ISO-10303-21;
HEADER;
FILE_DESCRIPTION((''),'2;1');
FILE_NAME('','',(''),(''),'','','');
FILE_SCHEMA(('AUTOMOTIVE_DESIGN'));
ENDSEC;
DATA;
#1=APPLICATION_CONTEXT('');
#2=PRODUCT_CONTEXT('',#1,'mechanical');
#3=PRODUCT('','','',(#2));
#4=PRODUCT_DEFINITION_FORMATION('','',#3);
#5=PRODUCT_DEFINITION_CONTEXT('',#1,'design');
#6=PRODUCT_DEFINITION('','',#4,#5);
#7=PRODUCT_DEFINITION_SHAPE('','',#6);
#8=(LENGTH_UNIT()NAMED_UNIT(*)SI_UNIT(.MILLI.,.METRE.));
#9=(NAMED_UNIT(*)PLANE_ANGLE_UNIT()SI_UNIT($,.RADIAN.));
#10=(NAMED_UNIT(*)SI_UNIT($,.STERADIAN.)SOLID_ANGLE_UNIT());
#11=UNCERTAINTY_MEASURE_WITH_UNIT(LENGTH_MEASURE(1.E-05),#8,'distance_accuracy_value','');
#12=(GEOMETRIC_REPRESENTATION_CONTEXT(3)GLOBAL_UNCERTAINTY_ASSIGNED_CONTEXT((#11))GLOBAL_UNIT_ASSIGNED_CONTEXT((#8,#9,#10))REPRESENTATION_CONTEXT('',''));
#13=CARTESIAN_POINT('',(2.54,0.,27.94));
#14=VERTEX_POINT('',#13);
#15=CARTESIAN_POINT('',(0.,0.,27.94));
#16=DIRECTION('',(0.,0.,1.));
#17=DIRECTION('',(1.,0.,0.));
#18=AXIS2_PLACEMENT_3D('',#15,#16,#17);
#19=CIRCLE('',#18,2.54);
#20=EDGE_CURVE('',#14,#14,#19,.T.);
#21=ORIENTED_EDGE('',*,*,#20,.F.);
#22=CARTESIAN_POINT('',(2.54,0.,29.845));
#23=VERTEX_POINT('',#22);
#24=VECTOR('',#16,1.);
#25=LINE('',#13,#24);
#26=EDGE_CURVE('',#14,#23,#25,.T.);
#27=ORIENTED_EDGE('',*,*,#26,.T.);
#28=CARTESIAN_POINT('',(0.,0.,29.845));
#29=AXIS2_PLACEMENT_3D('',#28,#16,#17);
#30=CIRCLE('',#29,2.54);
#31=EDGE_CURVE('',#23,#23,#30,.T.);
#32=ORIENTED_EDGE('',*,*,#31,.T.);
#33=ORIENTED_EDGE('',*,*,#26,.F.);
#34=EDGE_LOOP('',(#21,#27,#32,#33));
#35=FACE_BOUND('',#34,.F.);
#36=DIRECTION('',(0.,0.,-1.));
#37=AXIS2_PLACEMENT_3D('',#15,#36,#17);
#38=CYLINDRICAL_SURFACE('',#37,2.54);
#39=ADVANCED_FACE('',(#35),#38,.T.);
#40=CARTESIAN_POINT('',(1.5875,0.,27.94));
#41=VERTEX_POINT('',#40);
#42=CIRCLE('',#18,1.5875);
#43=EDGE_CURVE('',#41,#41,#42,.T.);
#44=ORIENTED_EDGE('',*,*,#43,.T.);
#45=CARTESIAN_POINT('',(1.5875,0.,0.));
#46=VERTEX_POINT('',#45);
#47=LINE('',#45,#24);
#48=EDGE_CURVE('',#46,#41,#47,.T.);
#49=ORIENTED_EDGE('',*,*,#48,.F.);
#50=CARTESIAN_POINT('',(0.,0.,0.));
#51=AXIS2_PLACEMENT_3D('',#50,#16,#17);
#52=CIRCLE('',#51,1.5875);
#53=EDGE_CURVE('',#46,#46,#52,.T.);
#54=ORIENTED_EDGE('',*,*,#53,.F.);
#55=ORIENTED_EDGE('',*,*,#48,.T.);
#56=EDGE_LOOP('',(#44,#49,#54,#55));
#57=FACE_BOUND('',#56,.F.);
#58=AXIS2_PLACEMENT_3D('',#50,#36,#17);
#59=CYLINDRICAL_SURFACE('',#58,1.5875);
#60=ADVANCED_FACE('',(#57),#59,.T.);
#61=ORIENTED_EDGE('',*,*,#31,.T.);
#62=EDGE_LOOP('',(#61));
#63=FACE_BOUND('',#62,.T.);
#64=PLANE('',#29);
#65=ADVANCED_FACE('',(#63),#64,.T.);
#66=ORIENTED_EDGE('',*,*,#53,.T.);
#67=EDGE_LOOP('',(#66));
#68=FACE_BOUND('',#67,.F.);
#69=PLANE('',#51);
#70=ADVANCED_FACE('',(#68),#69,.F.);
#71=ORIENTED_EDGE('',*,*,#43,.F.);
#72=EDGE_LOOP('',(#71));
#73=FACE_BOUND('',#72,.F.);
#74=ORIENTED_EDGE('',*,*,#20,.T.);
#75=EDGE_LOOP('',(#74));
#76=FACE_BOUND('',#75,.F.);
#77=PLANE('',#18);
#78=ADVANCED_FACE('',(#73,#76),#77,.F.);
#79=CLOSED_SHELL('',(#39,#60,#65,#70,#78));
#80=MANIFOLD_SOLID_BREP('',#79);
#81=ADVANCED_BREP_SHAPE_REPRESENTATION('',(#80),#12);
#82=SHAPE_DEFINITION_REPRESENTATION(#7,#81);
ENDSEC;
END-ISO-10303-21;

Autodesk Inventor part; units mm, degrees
ref_plane "YZ Plane" through (0, 0, 0) normal (1, 0, 0) x (0, 1, 0)
ref_plane "XZ Plane" through (0, 0, 0) normal (0, 1, 0) x (-1, 0, 0)
ref_plane "XY Plane" through (0, 0, 0) normal (0, 0, 1) x (1, 0, 0)
sketch "Sketch1" plane through (0, 0, 0) normal (0, 0, 1) x (1, 0, 0)
  circle A0 centre (0, 0) radius 1.5875
  dimension "d0" = 3.175
extrude "Extrusion1" add sketch "Sketch1" along normal blind 27.94
sketch "Sketch2" plane through (0, 0, 27.94) normal (0, 0, 1) x (1, 0, 0)
  circle A0 centre (0, 0) radius 1.5875 projected
  circle A1 centre (0, 0) radius 2.54
  dimension "d3" = 5.08
extrude "Extrusion2" add sketch "Sketch2" along normal blind 1.905 contours A0 | A1
thread "Thread1" size "5-40 UNC" class "2A" standard "ANSI Unified Screw Threads" full length
properties part number "MotorScrew" material "Stainless Steel"
